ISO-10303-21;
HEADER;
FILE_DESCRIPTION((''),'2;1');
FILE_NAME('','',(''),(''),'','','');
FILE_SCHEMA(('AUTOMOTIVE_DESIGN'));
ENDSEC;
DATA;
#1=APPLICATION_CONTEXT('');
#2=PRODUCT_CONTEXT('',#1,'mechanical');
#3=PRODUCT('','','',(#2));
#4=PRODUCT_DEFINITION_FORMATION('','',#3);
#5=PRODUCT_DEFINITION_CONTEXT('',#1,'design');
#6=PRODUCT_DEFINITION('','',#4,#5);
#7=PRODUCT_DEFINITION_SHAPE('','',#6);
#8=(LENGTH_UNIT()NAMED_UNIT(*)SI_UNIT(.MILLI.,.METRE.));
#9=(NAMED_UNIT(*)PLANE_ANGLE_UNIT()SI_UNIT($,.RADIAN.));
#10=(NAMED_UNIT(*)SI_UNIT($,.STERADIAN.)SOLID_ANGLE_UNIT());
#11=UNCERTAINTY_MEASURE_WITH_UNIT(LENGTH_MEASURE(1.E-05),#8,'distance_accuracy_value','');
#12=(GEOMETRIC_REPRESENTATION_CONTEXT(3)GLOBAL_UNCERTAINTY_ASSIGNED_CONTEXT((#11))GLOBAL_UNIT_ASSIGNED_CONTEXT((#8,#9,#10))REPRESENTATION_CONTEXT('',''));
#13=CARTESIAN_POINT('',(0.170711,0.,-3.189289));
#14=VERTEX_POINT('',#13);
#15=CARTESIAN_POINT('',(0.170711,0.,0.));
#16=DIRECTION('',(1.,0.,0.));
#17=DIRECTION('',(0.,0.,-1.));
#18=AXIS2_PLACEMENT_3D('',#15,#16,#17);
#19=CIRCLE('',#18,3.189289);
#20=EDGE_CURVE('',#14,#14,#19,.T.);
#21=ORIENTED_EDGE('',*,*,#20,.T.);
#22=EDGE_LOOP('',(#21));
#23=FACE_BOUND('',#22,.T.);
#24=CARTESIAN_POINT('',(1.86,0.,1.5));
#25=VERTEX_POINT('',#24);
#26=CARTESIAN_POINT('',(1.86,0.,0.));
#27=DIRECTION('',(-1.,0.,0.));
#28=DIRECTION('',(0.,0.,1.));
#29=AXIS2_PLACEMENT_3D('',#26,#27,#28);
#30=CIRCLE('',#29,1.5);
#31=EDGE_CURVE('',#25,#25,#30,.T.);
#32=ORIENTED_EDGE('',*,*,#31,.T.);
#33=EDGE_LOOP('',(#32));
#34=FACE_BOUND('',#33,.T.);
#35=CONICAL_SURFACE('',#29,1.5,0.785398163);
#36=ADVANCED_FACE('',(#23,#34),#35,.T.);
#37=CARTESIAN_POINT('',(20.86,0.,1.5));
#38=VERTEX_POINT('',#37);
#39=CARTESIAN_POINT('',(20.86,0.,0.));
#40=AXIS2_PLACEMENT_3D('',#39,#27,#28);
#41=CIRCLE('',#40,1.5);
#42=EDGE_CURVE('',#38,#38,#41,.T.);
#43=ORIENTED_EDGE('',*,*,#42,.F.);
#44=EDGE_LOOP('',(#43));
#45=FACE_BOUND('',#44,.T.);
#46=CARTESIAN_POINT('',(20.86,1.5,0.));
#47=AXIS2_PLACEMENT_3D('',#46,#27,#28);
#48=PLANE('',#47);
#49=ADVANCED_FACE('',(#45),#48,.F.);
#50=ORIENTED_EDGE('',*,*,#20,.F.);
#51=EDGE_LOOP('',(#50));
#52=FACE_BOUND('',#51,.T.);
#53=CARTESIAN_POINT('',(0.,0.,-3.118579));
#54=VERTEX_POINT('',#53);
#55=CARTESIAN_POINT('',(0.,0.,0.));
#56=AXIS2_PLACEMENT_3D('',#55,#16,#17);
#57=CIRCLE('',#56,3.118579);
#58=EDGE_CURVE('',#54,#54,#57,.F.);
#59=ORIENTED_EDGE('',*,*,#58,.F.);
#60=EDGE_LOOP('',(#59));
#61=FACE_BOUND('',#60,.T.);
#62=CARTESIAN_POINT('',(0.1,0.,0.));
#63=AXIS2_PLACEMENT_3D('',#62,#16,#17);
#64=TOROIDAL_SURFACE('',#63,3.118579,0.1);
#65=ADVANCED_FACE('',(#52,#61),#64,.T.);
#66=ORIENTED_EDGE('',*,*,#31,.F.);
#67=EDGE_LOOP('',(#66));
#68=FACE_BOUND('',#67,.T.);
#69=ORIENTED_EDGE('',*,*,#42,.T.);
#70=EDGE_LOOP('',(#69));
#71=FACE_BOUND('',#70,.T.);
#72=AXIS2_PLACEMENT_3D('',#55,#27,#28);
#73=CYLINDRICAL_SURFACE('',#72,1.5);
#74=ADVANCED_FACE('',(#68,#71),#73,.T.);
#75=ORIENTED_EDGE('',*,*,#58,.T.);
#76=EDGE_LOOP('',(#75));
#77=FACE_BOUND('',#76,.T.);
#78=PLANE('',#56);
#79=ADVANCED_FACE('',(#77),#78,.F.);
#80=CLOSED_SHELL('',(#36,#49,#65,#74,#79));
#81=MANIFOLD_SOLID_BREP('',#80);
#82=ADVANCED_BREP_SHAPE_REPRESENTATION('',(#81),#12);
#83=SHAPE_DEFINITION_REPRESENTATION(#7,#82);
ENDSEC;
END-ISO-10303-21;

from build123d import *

# Parameters (mm, degrees)
CONG_1_R = 0.1


with BuildPart() as part:
    # Esquisse1 → Révolution1 (revolve)
    with BuildSketch(Plane.XY, mode=Mode.PRIVATE) as r_volution1_sk:
        Polygon((0, 0), (0, 3.36), (1.86, 1.5), (20.86, 1.5), (20.86, 0), align=None)
    revolve(r_volution1_sk.sketch.rotate(Axis((0, 0, 0), (1, 0, 0)), 90), axis=Axis((0, 0, 0), (1, 0, 0)))

    # Congé1
    cong_1_edges = [part.edges().sort_by_distance(p)[0] for p in [
        (0, 0, -3.36),
    ]]
    fillet(cong_1_edges, radius=CONG_1_R)


solid = part.part
